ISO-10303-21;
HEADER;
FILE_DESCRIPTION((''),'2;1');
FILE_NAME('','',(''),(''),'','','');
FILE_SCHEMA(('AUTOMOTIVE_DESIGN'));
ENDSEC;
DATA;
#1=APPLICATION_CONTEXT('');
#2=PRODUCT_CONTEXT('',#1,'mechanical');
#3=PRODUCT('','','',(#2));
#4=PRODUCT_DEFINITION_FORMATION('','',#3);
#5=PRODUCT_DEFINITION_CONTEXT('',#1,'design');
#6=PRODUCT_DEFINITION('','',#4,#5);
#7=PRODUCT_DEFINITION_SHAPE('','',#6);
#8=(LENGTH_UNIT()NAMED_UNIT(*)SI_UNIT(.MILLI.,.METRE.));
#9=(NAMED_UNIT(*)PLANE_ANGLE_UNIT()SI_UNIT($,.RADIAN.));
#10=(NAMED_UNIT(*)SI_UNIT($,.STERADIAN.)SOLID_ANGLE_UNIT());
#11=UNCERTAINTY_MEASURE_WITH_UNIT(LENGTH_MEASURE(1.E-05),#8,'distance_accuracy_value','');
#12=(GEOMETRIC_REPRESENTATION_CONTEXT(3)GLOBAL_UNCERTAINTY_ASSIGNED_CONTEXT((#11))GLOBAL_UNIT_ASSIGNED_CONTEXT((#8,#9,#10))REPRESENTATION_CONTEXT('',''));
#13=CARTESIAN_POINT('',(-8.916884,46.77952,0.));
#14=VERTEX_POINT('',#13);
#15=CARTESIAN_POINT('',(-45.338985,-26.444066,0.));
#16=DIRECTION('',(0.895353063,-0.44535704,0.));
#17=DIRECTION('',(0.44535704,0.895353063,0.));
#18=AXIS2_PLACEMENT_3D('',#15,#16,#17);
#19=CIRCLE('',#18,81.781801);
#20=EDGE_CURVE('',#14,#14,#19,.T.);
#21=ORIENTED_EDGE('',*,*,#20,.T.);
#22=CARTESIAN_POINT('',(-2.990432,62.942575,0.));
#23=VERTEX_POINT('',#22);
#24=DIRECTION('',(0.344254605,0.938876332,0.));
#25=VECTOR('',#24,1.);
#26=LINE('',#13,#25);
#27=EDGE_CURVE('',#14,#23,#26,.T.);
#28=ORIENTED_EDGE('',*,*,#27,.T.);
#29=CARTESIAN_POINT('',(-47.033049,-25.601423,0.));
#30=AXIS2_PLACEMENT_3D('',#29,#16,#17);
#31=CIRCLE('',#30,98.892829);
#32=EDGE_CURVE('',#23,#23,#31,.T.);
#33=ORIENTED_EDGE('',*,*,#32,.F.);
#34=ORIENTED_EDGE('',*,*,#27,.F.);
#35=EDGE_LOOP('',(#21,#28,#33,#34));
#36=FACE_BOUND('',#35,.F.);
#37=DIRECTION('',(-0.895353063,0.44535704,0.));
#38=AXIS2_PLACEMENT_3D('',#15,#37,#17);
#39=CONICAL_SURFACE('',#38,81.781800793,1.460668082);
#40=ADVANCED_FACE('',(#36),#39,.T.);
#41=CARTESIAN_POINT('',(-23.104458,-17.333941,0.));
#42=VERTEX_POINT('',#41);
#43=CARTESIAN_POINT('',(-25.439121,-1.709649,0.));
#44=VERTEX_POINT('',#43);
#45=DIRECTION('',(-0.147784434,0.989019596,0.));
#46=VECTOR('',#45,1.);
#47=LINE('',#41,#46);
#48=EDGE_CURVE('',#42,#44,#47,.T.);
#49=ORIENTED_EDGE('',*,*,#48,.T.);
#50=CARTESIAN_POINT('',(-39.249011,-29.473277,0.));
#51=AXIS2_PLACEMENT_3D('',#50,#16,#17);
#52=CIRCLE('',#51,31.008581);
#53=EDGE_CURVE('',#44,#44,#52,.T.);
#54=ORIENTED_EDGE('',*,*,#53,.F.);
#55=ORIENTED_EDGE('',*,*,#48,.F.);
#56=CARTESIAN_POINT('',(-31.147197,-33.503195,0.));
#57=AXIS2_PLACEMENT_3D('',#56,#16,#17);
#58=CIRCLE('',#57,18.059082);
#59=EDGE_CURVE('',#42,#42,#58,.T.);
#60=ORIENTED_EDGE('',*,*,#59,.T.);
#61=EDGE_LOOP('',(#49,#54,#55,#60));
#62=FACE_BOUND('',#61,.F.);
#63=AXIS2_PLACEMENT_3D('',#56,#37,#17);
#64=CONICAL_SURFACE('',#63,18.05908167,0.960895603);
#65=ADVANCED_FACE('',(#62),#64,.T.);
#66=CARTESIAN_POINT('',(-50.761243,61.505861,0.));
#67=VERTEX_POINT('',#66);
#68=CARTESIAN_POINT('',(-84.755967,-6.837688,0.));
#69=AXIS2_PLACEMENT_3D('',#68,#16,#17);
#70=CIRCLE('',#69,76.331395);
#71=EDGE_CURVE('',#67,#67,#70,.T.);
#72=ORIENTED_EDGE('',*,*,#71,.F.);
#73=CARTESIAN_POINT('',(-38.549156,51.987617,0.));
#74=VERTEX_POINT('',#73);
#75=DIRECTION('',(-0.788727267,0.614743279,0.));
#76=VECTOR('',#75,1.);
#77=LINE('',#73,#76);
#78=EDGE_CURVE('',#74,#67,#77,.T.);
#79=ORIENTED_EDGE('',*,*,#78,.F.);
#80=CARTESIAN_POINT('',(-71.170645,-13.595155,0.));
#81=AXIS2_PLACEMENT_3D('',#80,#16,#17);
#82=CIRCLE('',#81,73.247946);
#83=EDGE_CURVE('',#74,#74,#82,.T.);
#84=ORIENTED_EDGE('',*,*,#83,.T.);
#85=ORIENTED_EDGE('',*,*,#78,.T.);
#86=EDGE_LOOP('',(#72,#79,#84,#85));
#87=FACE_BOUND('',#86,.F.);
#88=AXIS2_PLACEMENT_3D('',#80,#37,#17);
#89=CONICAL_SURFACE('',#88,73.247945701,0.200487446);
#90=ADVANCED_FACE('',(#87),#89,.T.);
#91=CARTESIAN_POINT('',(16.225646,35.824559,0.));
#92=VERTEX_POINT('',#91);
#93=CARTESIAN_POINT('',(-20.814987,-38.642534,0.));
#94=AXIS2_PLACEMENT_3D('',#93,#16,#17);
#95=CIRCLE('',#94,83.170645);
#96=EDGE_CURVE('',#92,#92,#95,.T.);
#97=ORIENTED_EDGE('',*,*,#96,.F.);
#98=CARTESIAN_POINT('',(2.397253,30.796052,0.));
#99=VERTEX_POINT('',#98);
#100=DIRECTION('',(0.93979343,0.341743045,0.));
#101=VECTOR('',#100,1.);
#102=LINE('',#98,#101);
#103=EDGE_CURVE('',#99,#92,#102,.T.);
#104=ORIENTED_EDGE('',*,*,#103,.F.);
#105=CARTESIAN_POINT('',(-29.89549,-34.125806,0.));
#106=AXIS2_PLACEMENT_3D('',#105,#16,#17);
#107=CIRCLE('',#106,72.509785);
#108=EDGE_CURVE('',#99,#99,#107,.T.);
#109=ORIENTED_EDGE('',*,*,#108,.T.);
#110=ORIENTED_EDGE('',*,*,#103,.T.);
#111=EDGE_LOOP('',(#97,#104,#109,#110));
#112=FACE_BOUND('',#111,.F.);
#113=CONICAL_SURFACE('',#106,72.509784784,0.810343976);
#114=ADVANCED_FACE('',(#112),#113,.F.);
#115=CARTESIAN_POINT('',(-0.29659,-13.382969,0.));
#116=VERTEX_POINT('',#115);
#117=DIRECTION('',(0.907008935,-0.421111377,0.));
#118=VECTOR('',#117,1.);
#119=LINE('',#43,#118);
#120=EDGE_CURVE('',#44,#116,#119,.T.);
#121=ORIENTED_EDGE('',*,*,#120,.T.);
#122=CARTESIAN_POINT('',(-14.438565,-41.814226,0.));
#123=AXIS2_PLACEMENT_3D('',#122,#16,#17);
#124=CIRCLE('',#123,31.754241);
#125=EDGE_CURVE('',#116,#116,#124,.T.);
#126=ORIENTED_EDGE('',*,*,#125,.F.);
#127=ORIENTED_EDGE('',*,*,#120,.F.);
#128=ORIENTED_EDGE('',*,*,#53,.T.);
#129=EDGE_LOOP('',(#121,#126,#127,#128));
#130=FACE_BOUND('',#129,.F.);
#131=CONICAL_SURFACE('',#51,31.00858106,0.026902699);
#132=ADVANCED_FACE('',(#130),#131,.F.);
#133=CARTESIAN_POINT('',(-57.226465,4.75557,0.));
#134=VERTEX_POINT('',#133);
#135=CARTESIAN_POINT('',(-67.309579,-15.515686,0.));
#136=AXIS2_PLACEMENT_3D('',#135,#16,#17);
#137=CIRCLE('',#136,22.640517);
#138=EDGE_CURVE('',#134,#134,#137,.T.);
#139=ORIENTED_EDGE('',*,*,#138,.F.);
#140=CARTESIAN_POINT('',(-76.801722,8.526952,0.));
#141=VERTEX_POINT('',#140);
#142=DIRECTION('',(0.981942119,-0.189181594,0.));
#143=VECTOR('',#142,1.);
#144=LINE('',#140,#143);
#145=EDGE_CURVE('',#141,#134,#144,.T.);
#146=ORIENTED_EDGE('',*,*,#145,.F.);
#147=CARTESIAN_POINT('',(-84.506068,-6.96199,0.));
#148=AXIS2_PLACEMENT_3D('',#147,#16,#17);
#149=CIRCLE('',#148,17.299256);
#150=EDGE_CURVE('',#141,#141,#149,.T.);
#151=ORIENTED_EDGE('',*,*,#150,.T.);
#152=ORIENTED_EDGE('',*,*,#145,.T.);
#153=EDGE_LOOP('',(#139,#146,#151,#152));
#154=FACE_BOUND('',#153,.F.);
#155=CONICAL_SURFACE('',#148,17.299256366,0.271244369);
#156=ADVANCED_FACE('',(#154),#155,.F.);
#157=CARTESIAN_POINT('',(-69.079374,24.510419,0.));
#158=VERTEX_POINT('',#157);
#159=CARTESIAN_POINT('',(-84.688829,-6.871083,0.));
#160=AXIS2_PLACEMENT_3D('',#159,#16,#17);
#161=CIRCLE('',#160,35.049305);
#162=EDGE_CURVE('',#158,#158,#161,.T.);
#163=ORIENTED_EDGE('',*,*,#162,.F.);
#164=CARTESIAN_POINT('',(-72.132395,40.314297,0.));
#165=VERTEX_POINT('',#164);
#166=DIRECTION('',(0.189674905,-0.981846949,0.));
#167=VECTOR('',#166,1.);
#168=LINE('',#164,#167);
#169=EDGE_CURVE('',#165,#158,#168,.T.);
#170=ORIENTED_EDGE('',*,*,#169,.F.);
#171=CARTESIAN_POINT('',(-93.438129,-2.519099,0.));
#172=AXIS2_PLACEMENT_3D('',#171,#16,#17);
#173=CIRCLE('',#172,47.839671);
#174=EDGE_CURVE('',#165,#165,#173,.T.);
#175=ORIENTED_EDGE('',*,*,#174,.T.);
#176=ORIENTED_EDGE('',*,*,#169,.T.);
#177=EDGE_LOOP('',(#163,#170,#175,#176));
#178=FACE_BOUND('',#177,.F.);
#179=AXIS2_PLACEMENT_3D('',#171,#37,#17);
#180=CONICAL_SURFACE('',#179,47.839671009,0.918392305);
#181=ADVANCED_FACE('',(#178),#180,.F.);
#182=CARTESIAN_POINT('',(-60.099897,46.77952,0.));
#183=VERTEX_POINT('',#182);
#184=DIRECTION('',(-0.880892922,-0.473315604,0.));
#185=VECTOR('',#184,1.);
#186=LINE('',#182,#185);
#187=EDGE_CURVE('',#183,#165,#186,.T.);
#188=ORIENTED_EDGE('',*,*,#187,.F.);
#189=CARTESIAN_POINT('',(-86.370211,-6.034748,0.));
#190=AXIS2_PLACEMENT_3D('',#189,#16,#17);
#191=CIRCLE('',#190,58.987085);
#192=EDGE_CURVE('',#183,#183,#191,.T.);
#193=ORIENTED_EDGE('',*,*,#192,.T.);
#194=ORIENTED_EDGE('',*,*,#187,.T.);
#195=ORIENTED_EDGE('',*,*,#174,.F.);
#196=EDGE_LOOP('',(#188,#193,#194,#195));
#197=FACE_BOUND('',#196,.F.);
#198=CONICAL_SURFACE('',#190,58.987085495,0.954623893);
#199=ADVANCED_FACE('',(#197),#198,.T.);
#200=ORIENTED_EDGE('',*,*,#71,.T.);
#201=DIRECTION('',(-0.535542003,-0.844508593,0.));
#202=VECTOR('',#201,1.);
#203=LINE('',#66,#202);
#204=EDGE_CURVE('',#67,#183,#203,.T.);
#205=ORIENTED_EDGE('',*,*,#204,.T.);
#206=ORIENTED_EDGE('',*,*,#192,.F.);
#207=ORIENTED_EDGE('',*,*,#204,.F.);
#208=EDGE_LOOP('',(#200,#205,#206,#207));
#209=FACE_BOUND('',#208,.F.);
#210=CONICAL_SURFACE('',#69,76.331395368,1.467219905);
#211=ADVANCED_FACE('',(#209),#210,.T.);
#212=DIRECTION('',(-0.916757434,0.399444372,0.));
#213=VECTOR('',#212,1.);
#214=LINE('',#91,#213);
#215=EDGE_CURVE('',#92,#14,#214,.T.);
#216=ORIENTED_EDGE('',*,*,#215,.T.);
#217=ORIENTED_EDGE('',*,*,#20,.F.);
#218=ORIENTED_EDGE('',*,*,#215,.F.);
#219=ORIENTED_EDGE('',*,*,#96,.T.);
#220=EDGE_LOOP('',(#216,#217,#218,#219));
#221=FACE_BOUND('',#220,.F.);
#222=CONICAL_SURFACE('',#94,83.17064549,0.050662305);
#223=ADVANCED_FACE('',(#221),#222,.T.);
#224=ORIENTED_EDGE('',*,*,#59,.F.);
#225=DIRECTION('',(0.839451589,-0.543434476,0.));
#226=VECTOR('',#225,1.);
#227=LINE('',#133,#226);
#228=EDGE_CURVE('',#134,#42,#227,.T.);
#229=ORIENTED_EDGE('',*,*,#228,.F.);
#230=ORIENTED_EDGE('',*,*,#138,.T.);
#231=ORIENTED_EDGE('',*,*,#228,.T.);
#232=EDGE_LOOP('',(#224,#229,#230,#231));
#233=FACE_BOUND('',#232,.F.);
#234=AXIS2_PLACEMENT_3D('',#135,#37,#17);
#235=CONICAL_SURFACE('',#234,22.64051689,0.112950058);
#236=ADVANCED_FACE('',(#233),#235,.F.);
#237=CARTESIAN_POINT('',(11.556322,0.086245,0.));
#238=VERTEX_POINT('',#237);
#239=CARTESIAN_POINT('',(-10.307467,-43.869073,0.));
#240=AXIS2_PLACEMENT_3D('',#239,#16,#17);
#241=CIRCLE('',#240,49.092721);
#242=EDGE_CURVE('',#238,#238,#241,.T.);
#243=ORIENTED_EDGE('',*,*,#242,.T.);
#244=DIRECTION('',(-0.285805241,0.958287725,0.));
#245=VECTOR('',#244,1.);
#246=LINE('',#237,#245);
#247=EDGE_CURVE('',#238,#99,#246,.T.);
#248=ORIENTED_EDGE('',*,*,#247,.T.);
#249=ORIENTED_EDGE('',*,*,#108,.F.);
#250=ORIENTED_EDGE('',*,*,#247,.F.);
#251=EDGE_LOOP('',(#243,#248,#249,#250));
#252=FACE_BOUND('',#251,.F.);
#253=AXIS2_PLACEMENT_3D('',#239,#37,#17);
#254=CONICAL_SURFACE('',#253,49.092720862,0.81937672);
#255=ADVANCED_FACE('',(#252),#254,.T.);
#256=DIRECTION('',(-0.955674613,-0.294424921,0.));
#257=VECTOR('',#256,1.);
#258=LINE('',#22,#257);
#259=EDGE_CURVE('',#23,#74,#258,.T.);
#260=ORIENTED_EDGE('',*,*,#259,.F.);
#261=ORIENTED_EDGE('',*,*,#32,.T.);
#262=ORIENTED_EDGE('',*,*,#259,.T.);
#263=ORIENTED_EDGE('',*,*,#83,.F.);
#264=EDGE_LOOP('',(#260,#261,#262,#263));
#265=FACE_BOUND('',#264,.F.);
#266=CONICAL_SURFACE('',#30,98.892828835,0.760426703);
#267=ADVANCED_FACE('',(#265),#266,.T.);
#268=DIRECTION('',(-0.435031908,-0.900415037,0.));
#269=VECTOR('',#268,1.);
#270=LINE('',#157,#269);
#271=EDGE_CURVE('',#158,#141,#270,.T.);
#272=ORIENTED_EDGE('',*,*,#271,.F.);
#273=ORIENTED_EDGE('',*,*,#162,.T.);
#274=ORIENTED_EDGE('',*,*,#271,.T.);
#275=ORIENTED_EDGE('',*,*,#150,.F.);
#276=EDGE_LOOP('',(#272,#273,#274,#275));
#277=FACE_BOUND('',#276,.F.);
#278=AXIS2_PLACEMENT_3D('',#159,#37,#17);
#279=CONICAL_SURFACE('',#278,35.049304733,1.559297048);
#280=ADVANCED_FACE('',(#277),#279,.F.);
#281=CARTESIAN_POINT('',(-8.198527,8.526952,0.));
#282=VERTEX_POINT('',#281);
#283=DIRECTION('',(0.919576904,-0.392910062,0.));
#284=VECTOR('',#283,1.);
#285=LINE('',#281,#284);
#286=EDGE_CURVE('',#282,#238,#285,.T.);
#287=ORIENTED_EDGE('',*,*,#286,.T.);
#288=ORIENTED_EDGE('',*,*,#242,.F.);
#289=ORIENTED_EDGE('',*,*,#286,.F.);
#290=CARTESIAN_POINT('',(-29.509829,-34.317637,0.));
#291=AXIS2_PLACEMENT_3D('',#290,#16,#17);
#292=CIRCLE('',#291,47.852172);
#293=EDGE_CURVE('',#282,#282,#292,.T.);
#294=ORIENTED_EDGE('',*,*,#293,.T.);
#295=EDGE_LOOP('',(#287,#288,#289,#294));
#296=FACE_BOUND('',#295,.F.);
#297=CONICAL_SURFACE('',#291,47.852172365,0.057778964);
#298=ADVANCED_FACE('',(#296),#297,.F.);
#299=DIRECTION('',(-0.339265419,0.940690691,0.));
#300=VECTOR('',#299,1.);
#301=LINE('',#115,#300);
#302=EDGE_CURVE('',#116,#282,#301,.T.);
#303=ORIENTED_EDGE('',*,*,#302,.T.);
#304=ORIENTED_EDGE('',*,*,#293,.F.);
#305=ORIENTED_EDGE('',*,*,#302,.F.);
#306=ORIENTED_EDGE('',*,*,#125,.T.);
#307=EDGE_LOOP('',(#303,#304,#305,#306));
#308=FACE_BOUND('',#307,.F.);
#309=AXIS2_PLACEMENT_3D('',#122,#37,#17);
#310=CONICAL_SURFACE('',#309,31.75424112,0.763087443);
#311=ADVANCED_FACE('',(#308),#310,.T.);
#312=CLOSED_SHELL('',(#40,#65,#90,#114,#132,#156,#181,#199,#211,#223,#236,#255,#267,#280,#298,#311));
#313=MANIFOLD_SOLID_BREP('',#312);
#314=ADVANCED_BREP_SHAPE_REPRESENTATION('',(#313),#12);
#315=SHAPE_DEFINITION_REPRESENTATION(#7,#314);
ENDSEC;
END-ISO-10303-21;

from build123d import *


with BuildPart() as f1:
    # F0 (on Top) → F1 (revolve)
    with BuildSketch(Plane.XY):
        Polygon((-60.0998973583, 46.7795197551), (-72.1323950326, 40.3142970685), (-69.0793743467, 24.5104191058), (-76.8017223214, 8.5269518827), (-57.2264654671, 4.75557043), (-23.1044580338, -17.3339407261), (-25.4391207469, -1.7096485313), (-0.2965903019, -13.3829686161), (-8.1985270714, 8.5269518827), (11.5563223029, 0.0862450038), (2.3972527946, 30.7960522991), (16.2256458665, 35.8245585744), (-8.9168841129, 46.7795197551), (-2.9904315358, 62.9425746087), (-38.5491563117, 51.9876171533), (-50.7612427806, 61.5058605258), align=None)
    revolve(axis=Axis((-58.9363127947, -19.680627156, 0), (0.8953530625, -0.4453570404, 0)))


solid = f1.part
